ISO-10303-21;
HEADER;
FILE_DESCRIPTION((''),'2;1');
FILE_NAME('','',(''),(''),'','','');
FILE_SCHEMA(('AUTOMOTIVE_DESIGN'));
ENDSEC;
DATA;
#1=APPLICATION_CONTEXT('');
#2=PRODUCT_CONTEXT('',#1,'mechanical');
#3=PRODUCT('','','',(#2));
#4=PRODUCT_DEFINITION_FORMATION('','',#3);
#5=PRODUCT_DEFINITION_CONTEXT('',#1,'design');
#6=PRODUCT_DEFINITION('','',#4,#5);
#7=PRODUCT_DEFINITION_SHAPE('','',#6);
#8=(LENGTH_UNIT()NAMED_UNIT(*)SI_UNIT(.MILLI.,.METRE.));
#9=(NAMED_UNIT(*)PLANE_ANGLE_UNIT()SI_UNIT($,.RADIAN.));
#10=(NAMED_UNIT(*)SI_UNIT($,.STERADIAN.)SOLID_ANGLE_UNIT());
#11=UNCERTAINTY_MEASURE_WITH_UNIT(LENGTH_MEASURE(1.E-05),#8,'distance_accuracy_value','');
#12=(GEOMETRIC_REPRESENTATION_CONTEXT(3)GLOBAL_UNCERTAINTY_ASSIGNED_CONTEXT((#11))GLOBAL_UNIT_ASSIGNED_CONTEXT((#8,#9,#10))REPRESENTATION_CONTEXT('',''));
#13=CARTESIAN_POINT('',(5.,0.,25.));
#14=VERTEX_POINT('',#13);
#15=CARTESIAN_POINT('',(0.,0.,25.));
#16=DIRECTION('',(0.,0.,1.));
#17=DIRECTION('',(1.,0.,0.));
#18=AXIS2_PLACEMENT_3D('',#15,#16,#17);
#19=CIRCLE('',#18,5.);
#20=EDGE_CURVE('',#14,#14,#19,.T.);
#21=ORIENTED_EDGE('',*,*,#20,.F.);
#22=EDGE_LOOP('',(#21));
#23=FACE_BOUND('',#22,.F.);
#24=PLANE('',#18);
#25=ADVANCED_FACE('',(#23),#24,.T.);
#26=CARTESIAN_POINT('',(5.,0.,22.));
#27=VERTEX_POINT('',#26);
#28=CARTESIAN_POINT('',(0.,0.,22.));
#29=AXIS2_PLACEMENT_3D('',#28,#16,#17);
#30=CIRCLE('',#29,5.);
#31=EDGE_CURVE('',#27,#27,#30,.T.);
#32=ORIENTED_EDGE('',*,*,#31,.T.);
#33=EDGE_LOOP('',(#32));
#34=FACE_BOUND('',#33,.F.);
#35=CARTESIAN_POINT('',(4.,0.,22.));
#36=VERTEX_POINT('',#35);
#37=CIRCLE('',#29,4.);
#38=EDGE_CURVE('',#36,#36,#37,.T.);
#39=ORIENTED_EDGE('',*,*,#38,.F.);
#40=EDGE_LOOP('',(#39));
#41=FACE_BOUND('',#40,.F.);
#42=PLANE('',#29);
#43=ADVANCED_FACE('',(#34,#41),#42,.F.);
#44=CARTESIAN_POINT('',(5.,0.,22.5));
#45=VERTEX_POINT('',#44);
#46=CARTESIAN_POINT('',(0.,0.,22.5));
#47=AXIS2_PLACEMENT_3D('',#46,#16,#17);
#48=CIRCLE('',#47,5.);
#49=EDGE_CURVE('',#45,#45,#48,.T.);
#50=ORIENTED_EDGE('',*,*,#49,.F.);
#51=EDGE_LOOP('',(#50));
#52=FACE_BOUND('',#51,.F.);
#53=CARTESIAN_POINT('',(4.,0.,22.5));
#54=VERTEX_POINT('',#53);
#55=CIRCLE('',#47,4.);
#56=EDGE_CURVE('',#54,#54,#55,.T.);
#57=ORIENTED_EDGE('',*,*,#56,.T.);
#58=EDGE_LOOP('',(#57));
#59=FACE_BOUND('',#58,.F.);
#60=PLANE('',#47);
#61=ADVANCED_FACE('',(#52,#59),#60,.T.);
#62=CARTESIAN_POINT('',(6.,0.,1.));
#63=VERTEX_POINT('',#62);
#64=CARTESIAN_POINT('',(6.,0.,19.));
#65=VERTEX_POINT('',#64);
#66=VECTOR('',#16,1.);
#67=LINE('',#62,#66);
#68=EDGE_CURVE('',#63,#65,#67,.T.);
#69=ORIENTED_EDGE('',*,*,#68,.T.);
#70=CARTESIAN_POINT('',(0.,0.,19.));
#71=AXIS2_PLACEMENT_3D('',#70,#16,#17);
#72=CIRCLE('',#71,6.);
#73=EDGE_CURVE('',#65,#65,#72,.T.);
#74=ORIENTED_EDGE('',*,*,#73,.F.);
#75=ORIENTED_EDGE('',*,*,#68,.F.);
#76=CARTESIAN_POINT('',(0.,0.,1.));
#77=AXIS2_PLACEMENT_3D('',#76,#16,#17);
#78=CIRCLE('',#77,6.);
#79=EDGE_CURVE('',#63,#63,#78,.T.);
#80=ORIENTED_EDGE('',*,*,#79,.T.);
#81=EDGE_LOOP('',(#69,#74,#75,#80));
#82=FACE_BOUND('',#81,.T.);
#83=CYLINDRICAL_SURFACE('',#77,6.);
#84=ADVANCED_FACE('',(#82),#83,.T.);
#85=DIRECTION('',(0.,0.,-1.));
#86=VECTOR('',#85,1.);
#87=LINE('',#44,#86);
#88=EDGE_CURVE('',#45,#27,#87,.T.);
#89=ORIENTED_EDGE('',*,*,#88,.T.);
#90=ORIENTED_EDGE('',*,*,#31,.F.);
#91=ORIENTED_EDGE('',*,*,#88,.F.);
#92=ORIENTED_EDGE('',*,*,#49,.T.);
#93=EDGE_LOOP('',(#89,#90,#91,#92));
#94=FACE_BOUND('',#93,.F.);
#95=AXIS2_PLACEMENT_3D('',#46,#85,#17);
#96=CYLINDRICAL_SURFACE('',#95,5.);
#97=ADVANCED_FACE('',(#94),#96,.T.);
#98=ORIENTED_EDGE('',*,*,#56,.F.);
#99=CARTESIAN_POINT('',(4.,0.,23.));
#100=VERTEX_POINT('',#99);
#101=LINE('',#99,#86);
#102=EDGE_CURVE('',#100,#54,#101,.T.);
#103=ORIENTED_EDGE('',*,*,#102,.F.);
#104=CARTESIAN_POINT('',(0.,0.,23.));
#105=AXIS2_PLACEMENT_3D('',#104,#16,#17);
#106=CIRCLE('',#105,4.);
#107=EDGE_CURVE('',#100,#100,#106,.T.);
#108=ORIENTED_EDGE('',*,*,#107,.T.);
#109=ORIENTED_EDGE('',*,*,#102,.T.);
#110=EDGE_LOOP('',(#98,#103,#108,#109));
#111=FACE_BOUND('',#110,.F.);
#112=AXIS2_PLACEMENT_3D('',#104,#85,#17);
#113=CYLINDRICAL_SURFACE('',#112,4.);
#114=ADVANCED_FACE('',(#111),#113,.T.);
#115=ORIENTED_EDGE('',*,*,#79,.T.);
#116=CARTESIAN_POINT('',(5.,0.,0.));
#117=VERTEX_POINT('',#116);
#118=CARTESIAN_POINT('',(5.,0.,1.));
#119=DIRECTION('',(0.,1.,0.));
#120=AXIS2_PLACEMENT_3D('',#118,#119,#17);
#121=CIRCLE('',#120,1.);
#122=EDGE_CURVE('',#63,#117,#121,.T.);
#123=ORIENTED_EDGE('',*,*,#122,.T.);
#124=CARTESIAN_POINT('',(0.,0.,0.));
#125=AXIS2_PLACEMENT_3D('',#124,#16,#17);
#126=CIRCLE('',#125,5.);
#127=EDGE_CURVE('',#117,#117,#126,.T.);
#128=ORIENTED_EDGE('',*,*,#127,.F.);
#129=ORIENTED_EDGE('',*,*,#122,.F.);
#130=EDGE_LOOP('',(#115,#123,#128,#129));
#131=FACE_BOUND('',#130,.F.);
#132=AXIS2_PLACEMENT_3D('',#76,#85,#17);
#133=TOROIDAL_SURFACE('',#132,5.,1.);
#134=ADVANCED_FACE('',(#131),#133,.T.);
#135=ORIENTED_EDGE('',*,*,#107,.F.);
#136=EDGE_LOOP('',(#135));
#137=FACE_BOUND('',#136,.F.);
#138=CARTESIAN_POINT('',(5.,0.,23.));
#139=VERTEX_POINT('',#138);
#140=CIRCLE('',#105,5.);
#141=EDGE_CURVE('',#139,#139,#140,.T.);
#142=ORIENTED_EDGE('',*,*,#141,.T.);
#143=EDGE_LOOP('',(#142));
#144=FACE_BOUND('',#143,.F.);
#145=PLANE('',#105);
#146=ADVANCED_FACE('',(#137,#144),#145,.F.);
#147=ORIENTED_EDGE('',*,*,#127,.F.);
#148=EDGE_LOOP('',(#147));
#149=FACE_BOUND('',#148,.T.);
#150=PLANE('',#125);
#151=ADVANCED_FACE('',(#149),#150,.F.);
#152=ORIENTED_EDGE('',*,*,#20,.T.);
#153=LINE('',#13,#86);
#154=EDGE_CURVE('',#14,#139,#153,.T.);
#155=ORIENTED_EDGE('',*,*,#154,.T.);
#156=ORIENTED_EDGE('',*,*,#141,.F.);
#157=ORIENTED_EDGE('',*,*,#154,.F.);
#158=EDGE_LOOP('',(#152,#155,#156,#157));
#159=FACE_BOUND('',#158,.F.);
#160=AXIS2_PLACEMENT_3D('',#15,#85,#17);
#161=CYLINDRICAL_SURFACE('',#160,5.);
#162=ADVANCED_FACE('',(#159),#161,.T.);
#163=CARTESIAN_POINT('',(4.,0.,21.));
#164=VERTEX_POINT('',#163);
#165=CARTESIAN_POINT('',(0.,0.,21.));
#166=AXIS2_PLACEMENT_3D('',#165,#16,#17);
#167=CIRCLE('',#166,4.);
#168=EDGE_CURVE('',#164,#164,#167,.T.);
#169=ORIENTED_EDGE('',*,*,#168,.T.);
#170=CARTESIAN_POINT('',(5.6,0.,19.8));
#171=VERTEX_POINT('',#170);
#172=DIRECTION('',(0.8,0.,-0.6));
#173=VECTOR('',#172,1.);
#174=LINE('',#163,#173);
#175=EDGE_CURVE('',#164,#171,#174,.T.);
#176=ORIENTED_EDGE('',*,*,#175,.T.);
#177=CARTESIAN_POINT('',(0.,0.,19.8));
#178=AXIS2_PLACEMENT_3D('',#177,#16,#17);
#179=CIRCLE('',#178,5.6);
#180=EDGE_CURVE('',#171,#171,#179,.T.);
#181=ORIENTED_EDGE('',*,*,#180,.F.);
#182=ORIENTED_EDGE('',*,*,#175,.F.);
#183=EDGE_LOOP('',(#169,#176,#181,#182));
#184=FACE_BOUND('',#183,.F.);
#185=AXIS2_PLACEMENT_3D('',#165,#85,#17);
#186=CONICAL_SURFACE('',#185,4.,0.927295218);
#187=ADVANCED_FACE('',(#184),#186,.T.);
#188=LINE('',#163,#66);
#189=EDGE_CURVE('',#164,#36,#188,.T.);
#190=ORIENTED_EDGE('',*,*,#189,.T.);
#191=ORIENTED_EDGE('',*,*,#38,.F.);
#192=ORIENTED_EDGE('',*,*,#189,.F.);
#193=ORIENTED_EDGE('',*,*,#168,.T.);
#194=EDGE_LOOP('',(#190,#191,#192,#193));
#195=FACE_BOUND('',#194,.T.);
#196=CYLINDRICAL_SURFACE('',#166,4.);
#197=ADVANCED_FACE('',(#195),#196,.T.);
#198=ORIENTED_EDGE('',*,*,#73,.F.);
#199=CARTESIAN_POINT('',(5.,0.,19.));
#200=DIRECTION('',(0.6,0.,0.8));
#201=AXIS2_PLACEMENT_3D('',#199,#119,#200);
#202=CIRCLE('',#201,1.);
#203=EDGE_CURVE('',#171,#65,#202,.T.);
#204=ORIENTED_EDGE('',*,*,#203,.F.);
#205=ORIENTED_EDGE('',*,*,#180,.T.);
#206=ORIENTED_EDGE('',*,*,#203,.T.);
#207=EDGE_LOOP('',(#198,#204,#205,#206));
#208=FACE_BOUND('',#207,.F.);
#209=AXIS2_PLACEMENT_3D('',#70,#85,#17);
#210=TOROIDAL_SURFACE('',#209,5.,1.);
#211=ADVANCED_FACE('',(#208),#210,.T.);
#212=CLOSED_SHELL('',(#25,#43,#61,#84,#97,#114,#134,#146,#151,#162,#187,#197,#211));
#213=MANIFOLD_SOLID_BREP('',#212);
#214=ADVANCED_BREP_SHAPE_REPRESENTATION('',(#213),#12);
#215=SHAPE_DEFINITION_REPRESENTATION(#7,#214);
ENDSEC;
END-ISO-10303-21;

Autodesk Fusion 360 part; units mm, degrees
sketch "Sketch1" plane through (0, 0, 0) normal (0, 1, 0) x (1, 0, 0)
  line L0 (0, 0) -> (0, -25)
  line L1 (0, 0) -> (5, 0)
  arc A0 (6, -1) -> (5, 0) centre (5, -1) ccw
  line L2 (6, -1) -> (6, -19)
  arc A1 (5.6, -19.8) -> (6, -19) centre (5, -19) ccw
  line L3 (0, -25) -> (5, -25)
  line L4 (5, -25) -> (5, -23)
  line L5 (5, -23) -> (4, -23)
  line L6 (4, -21) -> (5.6, -19.8)
  line L7 (4, -23) -> (4, -22.5)
  line L8 (4, -21) -> (4, -22)
  line L9 (4, -22.5) -> (5, -22.5)
  line L10 (5, -22.5) -> (5, -22)
  line L11 (5, -22) -> (4, -22)
  dimension "d1" = 25
  dimension "d2" = 5
  dimension "d3" = 18
  dimension "d4" = 5
  dimension "d5" = 2
  dimension "d6" = 1
  dimension "d7" = 2
  dimension "d8" = 0.5
  dimension "d9" = 1
  dimension "d10" = 1
  dimension "d11" = 0.5
revolve "Revolve1" add sketch "Sketch1" angle 360 about axis through (0, 0, 0) along (0, 0, 1)
